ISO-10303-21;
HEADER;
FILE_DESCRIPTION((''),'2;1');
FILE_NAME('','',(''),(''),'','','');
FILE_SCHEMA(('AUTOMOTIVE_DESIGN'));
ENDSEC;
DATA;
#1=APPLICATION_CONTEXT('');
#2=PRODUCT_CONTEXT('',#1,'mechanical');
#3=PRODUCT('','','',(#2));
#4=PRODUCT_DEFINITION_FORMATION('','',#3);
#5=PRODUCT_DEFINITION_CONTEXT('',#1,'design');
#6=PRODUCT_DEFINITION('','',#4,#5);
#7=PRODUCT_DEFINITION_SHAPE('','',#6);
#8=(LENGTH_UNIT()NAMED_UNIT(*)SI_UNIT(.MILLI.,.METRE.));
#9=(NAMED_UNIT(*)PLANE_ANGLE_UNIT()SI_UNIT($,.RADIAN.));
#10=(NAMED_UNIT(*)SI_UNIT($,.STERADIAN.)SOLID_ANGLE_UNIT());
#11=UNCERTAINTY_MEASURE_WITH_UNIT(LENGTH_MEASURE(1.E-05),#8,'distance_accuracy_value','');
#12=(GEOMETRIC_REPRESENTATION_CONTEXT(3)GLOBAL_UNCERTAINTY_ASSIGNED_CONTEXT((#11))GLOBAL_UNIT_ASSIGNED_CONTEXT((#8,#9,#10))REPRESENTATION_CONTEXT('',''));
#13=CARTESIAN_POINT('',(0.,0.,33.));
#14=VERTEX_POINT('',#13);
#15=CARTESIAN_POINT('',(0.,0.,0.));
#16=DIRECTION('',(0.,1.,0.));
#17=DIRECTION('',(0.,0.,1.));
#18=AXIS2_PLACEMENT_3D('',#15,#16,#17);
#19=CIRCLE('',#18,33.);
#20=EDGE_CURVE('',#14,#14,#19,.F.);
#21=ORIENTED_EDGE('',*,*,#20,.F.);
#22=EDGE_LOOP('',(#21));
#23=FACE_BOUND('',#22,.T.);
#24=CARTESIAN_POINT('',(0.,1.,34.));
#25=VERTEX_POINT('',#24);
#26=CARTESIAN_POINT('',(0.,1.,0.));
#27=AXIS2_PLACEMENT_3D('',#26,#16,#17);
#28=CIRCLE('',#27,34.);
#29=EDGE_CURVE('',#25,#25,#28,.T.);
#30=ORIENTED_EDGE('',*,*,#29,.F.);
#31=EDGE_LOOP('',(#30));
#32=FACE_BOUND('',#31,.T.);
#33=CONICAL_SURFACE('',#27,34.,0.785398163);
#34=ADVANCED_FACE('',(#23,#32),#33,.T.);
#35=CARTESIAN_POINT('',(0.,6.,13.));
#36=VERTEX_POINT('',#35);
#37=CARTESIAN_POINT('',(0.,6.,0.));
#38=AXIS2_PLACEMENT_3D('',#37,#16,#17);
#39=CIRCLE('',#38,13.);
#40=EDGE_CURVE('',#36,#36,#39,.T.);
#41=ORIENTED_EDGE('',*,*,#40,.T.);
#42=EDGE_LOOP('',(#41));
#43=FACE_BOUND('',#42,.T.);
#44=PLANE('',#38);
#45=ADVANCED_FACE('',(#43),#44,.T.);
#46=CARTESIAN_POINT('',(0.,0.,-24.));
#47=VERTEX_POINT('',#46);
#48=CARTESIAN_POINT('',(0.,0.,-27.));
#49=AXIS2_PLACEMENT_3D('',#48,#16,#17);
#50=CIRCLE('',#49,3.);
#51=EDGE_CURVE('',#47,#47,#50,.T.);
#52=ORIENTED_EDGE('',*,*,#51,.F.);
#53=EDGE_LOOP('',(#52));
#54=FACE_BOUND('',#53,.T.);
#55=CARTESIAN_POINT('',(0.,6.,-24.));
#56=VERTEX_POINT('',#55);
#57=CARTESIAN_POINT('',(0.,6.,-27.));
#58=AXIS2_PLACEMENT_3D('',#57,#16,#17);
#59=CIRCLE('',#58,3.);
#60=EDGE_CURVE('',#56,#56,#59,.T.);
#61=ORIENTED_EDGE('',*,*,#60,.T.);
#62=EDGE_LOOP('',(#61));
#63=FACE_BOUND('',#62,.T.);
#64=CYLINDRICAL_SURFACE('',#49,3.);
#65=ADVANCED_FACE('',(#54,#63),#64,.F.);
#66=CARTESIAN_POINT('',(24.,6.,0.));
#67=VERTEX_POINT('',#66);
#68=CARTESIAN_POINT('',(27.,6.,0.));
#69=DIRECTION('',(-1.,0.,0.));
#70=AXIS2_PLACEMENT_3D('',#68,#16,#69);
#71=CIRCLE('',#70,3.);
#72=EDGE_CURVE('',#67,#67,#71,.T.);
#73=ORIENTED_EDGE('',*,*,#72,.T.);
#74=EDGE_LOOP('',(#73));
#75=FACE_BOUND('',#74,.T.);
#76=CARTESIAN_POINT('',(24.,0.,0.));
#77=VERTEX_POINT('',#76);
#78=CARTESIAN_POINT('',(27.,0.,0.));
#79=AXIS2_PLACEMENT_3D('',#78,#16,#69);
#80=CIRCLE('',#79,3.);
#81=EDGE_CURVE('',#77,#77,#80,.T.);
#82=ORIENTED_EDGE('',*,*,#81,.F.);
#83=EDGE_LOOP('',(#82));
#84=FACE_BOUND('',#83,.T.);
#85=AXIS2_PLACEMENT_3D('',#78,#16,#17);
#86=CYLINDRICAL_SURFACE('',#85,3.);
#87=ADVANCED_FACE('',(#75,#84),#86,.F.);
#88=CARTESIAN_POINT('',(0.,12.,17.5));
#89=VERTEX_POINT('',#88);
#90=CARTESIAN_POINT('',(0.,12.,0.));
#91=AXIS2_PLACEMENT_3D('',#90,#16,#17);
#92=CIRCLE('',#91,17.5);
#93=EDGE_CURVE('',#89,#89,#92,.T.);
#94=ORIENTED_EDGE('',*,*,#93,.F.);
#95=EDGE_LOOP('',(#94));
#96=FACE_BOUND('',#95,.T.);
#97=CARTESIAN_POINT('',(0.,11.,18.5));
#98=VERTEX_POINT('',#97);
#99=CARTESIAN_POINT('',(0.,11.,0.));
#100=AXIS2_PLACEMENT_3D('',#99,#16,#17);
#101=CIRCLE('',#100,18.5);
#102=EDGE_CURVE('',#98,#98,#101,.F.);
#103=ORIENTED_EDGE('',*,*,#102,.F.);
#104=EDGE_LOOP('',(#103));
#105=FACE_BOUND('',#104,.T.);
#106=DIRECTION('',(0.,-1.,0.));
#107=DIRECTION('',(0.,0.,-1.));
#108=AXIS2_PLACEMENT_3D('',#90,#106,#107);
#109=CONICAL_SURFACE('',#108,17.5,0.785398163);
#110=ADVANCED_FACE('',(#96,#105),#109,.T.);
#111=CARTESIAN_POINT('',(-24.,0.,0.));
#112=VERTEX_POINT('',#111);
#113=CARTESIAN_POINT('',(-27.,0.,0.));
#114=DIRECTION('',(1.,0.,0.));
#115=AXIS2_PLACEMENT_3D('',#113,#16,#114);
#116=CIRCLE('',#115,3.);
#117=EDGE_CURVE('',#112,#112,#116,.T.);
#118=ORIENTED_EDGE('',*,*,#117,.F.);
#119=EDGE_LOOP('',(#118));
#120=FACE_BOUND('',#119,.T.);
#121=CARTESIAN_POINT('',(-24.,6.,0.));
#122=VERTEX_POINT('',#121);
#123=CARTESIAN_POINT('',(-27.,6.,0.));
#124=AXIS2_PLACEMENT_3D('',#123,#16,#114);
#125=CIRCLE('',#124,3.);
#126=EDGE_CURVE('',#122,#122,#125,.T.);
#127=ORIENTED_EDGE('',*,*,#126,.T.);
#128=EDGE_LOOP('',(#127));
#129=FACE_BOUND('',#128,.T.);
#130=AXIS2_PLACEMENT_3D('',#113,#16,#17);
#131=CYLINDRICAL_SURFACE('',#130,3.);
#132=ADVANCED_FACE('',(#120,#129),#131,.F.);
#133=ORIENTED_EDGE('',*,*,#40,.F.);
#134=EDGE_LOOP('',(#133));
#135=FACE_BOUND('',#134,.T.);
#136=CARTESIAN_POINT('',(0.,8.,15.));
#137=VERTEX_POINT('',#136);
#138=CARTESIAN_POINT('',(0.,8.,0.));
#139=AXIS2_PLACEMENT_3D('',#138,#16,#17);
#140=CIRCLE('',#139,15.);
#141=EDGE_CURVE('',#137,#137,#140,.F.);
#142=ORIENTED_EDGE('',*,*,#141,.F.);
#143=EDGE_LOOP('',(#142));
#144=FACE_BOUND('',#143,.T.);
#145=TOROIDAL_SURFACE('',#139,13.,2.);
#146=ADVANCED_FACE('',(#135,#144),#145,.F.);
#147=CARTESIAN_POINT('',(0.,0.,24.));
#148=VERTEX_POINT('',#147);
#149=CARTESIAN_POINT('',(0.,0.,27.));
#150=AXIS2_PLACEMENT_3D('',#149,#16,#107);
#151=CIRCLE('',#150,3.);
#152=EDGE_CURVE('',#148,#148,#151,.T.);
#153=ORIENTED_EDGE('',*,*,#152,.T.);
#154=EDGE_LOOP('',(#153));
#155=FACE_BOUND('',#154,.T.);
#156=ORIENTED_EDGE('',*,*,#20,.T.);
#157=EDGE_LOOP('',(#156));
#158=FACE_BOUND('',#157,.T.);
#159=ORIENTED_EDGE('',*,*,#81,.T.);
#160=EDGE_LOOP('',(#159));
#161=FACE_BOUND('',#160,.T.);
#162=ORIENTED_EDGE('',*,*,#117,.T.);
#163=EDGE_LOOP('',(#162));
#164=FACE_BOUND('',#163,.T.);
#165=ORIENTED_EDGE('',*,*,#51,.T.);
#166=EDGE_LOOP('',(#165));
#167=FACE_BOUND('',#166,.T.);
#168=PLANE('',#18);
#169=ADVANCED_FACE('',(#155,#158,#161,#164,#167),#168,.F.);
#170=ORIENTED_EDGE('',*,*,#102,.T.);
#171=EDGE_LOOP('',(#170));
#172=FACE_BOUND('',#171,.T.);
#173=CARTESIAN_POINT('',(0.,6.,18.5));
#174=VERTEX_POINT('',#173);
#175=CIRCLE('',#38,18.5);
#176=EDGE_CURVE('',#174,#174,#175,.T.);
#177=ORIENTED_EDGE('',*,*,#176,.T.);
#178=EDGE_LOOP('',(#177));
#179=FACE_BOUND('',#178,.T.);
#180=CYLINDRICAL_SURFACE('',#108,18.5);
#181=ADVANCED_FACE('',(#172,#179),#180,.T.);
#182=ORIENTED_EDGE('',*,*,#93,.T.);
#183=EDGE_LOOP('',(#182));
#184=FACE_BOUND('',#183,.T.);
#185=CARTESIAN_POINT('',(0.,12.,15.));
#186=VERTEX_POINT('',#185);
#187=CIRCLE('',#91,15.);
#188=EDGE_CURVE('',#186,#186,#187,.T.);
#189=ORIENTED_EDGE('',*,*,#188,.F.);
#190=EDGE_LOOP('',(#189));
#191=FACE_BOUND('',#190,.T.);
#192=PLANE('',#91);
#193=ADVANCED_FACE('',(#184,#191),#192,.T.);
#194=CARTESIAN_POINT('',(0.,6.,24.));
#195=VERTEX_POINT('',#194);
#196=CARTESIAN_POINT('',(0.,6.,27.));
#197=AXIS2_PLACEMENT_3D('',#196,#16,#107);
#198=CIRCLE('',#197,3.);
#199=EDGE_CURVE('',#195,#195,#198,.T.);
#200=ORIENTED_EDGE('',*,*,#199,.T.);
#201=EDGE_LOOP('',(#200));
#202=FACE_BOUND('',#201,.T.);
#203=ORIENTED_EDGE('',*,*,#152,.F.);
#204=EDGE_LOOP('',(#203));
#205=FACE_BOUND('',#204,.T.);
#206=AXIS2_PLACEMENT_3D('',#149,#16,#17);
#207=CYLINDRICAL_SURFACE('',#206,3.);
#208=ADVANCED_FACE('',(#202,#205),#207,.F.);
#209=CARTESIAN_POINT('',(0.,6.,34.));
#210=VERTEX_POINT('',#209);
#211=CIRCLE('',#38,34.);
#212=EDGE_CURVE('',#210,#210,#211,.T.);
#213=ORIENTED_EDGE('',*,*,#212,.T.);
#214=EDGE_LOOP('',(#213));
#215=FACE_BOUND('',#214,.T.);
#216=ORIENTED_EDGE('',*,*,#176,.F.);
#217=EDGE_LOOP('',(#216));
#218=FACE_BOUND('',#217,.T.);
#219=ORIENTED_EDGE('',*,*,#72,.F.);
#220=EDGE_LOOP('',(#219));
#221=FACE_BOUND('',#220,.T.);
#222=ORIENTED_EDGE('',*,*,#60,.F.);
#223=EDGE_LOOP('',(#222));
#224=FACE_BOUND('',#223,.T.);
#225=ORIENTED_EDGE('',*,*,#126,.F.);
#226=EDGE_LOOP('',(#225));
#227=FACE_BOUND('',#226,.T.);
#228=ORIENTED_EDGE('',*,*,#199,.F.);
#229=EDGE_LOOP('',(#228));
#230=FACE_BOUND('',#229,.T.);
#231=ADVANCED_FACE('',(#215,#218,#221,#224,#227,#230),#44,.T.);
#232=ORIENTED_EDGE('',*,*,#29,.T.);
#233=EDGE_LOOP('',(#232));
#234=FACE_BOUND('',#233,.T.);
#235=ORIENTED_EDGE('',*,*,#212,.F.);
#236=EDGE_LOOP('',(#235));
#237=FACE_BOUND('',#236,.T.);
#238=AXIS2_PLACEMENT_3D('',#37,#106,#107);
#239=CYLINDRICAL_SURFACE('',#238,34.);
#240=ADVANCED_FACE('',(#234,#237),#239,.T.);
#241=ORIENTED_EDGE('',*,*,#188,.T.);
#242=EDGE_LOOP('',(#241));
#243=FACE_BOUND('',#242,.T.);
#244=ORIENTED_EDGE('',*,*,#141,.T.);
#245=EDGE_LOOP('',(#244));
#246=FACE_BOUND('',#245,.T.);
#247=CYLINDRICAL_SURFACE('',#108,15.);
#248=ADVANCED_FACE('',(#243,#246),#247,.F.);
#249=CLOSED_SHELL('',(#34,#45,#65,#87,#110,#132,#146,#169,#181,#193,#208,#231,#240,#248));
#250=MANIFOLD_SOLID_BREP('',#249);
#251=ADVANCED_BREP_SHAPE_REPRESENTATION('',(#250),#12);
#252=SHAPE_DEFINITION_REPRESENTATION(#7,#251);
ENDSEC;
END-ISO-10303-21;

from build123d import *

# Parameters (mm, degrees)
SKETCH_1_R               = 34
EXTRUDE_1_DEPTH          = 6
SKETCH_2_R               = 18.5
SKETCH_2_R_2             = 15
EXTRUDE_2_DEPTH          = 6
SKETCH_5_R               = 3
CUT_EXTRUDE_1_DEPTH      = 6
PATTERN_CIRCULAR_1_COUNT = 4
FILLET_1_R               = 2
CHAMFER_1_SIZE           = 1


with BuildPart() as part:
    # 草图1 → 凸台-拉伸1 (new body)
    with BuildSketch(Plane(origin=(0, 0, 0), x_dir=(1, 0, 0), z_dir=(0, 1, 0))):
        with Locations(Location((0, 0, 0), (0, 0, 270))):
            Circle(SKETCH_1_R)
    extrude(amount=EXTRUDE_1_DEPTH)

    # 草图2 → 凸台-拉伸2 (add)
    with BuildSketch(Plane(origin=(0, 6, 0), x_dir=(1, 0, 0), z_dir=(0, 1, 0))):
        with Locations(Location((0, 0, 0), (0, 0, 270))):
            Circle(SKETCH_2_R)
        with Locations(Location((0, 0, 0), (0, 0, 270))):
            Circle(SKETCH_2_R_2, mode=Mode.SUBTRACT)
    extrude(amount=EXTRUDE_2_DEPTH)

    # 草图5 → 切除-拉伸1 (cut)
    with BuildSketch(Plane(origin=(0, 6, 0), x_dir=(1, 0, 0), z_dir=(0, 1, 0))):
        with Locations(Location((0, 27, 0), (0, 0, 270))):
            Circle(SKETCH_5_R)
    cut_extrude_1 = extrude(amount=-CUT_EXTRUDE_1_DEPTH, mode=Mode.SUBTRACT)

    # 阵列(圆周)1: 切除-拉伸1 ×4 about axis
    pattern_circular_1_axis = Axis((0, 0, 0), (0, 1, 0))
    for i in range(1, PATTERN_CIRCULAR_1_COUNT):
        add(cut_extrude_1.rotate(pattern_circular_1_axis, i * 360 / PATTERN_CIRCULAR_1_COUNT), mode=Mode.SUBTRACT)

    # 圆角1
    fillet_1_edges = [part.edges().sort_by_distance(p)[0] for p in [
        (0, 6, -15),
    ]]
    fillet(fillet_1_edges, radius=FILLET_1_R)

    # 倒角1
    chamfer_1_edges = [part.edges().sort_by_distance(p)[0] for p in [
        (0, 12, -18.5),
        (0, 0, -34),
    ]]
    chamfer(chamfer_1_edges, length=CHAMFER_1_SIZE)


solid = part.part
